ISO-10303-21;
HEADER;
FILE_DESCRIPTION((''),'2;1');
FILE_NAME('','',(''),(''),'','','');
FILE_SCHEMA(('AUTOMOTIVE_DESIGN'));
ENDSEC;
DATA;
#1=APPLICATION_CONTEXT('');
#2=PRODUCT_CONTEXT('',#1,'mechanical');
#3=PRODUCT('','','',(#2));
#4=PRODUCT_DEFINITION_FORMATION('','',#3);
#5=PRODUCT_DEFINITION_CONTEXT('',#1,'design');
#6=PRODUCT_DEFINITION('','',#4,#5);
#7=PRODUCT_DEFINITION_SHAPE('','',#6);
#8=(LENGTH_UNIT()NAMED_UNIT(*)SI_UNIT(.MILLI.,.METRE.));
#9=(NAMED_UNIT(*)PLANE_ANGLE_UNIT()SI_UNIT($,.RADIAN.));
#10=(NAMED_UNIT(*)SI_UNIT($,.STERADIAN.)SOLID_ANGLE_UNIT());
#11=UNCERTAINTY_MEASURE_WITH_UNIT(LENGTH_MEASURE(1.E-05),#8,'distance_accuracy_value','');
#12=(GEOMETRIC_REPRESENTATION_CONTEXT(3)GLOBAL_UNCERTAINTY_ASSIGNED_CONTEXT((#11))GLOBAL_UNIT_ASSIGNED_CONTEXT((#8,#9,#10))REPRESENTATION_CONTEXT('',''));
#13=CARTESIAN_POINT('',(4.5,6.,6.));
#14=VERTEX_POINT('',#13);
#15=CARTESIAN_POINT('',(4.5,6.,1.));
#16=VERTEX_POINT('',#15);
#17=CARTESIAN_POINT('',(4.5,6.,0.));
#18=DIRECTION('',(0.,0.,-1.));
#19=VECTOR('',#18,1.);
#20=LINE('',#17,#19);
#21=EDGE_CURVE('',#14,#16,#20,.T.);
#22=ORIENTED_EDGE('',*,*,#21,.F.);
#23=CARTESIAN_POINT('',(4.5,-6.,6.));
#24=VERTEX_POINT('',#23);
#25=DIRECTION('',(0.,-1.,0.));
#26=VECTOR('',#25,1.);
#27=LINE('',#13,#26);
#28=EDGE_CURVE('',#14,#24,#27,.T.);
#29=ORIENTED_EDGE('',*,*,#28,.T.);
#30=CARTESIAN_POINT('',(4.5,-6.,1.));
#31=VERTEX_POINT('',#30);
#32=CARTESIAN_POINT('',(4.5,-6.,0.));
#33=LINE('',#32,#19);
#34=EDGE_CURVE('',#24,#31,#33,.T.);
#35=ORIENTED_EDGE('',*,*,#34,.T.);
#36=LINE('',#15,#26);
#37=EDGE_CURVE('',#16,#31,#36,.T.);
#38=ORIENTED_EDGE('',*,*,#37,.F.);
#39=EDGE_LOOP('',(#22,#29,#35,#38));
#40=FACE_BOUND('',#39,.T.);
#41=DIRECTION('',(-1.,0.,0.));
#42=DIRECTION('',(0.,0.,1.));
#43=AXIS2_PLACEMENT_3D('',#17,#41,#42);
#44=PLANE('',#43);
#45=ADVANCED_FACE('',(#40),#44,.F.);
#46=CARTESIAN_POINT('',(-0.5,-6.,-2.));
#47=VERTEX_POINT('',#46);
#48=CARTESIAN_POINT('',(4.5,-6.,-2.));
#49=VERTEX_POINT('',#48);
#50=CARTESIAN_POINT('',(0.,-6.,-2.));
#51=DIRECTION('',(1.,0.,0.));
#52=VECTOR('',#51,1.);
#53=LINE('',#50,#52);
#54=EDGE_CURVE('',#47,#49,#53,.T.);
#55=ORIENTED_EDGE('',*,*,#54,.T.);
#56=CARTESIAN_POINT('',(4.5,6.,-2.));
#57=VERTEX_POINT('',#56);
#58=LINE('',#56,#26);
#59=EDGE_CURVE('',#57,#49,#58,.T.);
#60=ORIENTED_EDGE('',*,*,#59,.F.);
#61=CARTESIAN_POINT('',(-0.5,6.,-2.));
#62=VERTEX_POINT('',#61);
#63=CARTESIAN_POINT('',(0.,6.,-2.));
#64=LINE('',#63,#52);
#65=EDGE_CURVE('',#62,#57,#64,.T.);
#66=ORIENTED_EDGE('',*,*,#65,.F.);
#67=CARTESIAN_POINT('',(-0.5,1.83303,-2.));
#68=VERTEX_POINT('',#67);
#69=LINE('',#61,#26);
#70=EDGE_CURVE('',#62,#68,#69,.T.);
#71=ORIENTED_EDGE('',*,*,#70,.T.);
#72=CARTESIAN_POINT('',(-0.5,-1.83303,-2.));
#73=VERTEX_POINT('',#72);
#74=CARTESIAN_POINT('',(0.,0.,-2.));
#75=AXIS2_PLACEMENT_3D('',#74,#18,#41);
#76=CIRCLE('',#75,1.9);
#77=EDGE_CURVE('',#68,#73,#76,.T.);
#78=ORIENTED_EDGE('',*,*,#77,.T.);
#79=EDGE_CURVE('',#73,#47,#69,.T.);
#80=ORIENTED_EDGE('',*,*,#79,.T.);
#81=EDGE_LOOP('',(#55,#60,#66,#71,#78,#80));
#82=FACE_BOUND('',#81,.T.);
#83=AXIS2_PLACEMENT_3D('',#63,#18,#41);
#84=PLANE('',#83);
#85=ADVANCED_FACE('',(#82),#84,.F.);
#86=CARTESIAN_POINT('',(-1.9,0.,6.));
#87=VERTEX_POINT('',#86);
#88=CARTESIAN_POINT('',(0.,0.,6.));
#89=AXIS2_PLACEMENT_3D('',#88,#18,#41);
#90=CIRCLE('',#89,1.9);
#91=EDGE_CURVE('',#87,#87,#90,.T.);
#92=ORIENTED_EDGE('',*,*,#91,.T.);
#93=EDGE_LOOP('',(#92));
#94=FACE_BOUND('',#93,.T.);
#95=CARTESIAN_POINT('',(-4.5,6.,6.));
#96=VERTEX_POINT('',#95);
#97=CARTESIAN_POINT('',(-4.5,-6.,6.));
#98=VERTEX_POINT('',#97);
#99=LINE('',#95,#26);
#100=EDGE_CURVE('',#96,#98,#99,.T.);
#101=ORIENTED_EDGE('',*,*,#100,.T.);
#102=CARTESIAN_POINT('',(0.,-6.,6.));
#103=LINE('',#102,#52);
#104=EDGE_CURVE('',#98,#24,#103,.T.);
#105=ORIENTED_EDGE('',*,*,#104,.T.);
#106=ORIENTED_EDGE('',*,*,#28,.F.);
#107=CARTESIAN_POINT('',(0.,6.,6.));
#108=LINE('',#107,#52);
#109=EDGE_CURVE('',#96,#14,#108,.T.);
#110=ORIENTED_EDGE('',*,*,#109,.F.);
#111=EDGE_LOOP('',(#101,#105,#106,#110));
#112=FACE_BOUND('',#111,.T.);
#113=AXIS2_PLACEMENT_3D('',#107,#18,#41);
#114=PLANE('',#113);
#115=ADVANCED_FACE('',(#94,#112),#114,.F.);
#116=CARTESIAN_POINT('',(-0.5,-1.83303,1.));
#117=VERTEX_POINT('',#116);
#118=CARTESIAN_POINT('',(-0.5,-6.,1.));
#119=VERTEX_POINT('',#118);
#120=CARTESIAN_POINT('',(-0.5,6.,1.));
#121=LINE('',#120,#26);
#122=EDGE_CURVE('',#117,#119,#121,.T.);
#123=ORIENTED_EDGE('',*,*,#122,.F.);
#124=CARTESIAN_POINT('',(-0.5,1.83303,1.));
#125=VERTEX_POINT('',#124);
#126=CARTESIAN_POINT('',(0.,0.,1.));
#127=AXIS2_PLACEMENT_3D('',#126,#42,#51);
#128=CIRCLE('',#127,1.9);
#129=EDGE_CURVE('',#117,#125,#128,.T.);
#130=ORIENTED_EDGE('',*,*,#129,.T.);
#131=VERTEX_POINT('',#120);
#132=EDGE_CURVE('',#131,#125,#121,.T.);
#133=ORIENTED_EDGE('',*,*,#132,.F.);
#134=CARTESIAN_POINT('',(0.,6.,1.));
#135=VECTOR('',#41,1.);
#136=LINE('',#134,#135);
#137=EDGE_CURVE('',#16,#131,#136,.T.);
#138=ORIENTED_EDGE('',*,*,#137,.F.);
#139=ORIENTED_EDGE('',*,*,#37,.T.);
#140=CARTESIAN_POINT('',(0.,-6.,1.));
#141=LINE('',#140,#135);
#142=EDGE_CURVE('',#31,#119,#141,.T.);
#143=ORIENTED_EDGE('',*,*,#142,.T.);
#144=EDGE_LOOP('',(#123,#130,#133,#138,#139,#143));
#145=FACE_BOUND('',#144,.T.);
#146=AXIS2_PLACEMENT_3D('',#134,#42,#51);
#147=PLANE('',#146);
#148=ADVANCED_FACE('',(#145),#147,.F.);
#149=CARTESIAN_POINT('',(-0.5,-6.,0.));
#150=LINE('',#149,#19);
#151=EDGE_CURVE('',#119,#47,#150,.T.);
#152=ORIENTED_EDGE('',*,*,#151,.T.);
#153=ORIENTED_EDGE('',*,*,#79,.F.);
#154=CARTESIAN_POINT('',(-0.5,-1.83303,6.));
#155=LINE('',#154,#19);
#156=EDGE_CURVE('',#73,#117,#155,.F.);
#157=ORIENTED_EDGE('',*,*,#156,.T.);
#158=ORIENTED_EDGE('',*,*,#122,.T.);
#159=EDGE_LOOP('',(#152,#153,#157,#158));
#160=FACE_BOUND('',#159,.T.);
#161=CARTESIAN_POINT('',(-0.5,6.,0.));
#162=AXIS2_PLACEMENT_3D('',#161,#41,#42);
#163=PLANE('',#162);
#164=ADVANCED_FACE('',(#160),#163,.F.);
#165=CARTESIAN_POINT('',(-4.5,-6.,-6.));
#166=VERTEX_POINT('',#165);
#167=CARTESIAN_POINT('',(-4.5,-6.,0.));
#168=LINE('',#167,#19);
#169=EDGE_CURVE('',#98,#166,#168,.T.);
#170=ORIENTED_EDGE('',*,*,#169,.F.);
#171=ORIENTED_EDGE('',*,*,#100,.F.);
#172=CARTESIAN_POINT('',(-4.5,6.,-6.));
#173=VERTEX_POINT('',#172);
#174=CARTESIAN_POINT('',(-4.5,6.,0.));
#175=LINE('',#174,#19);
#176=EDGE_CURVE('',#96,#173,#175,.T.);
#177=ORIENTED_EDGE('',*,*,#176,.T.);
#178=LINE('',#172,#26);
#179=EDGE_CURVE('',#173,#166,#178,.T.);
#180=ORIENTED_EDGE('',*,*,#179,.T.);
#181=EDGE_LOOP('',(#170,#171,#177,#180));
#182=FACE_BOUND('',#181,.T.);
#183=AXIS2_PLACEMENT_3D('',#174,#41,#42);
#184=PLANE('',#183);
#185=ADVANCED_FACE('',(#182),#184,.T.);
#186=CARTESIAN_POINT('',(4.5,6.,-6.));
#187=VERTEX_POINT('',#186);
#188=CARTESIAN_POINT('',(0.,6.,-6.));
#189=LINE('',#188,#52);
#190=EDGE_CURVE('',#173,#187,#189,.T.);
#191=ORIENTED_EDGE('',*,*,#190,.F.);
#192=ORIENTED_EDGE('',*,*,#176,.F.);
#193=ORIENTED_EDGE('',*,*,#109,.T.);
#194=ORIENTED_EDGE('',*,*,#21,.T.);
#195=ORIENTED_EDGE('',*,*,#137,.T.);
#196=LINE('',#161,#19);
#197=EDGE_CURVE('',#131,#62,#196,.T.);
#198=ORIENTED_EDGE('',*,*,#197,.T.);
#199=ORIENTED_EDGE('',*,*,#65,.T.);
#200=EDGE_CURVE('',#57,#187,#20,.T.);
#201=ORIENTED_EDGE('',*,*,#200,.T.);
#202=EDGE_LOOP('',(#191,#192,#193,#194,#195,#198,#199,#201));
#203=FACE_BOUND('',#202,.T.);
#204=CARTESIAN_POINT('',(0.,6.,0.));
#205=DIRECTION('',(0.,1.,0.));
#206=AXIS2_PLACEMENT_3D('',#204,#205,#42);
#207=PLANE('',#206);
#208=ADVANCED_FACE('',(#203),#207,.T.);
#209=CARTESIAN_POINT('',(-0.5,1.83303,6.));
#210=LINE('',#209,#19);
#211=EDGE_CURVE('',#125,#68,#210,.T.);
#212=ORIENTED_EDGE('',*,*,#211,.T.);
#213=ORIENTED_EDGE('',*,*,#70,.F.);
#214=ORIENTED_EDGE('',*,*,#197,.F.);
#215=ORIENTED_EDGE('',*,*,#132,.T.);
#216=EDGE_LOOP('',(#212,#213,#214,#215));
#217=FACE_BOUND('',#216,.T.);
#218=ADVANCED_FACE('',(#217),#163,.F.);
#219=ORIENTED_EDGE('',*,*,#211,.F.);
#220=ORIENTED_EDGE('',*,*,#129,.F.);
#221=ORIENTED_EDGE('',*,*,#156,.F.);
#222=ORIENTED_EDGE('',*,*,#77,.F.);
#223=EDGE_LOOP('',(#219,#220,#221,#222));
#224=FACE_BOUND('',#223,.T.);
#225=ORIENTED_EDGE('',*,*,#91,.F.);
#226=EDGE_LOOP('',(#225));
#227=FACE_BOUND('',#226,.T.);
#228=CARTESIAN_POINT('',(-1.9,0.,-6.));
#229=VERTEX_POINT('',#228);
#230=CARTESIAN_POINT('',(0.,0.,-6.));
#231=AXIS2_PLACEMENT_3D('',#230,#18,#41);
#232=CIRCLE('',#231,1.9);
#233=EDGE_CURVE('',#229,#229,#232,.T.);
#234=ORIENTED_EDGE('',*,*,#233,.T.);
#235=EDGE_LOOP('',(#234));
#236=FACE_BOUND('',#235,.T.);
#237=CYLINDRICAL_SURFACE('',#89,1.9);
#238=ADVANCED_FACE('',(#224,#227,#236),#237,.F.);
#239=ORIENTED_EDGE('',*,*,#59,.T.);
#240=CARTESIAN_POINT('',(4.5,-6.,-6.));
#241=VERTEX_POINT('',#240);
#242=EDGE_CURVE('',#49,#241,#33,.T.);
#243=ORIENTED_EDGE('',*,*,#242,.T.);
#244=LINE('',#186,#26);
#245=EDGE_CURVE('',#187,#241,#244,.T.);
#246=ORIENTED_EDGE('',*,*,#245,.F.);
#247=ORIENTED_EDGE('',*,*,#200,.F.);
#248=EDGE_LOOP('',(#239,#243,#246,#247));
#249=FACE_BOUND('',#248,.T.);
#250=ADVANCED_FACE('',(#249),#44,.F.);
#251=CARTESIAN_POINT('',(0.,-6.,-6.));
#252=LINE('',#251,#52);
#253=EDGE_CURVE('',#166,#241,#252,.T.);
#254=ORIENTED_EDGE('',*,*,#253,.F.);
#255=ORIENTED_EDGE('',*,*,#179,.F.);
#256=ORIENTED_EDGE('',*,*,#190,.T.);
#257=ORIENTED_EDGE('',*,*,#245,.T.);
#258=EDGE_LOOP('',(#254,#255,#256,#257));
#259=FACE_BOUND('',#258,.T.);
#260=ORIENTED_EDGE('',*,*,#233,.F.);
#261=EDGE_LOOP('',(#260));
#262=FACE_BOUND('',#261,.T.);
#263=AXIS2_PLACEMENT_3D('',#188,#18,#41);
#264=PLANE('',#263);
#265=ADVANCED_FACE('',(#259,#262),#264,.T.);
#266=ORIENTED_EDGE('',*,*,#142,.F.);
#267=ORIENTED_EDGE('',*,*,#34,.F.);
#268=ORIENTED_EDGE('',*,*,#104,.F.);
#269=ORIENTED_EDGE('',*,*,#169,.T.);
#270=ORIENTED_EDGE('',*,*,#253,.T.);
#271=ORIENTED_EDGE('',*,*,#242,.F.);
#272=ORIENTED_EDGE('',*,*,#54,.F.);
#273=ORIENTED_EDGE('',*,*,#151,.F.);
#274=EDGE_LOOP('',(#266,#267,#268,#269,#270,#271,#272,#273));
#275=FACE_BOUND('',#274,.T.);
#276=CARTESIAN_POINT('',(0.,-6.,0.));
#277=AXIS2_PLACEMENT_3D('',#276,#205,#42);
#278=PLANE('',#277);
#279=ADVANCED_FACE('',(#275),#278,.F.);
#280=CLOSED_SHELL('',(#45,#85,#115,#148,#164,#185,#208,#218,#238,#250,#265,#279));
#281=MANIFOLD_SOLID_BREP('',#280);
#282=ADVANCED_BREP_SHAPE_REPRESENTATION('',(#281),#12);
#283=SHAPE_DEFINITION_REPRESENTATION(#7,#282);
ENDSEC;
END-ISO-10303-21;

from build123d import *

# Parameters (mm, degrees)
SKETCH1_W           = 5
SKETCH1_H           = 5
BOSS_EXTRUDE2_DEPTH = 6
SKETCH2_R           = 1.9
CUT_EXTRUDE1_DEPTH  = 13


with BuildPart() as part:
    # Sketch1 → Boss-Extrude2 (new body, symmetric)
    with BuildSketch(Plane(origin=(0, 0, 0), x_dir=(1, 0, 0), z_dir=(0, 1, 0))):
        Polygon((-4.5, 6), (-4.5, -6), (-0.5, -6), (-0.5, -1), (-0.5, 2), (4.5, 2), (4.5, 6), align=None)
        with Locations((2, -3.5)):
            Rectangle(SKETCH1_W, SKETCH1_H)
    extrude(amount=BOSS_EXTRUDE2_DEPTH, both=True)

    # Sketch2 → Cut-Extrude1 (cut, through all)
    with BuildSketch(Plane(origin=(0, 0, -6), x_dir=(-1, 0, 0), z_dir=(0, 0, -1))):
        Circle(SKETCH2_R)
    extrude(amount=-CUT_EXTRUDE1_DEPTH, mode=Mode.SUBTRACT)


solid = part.part
